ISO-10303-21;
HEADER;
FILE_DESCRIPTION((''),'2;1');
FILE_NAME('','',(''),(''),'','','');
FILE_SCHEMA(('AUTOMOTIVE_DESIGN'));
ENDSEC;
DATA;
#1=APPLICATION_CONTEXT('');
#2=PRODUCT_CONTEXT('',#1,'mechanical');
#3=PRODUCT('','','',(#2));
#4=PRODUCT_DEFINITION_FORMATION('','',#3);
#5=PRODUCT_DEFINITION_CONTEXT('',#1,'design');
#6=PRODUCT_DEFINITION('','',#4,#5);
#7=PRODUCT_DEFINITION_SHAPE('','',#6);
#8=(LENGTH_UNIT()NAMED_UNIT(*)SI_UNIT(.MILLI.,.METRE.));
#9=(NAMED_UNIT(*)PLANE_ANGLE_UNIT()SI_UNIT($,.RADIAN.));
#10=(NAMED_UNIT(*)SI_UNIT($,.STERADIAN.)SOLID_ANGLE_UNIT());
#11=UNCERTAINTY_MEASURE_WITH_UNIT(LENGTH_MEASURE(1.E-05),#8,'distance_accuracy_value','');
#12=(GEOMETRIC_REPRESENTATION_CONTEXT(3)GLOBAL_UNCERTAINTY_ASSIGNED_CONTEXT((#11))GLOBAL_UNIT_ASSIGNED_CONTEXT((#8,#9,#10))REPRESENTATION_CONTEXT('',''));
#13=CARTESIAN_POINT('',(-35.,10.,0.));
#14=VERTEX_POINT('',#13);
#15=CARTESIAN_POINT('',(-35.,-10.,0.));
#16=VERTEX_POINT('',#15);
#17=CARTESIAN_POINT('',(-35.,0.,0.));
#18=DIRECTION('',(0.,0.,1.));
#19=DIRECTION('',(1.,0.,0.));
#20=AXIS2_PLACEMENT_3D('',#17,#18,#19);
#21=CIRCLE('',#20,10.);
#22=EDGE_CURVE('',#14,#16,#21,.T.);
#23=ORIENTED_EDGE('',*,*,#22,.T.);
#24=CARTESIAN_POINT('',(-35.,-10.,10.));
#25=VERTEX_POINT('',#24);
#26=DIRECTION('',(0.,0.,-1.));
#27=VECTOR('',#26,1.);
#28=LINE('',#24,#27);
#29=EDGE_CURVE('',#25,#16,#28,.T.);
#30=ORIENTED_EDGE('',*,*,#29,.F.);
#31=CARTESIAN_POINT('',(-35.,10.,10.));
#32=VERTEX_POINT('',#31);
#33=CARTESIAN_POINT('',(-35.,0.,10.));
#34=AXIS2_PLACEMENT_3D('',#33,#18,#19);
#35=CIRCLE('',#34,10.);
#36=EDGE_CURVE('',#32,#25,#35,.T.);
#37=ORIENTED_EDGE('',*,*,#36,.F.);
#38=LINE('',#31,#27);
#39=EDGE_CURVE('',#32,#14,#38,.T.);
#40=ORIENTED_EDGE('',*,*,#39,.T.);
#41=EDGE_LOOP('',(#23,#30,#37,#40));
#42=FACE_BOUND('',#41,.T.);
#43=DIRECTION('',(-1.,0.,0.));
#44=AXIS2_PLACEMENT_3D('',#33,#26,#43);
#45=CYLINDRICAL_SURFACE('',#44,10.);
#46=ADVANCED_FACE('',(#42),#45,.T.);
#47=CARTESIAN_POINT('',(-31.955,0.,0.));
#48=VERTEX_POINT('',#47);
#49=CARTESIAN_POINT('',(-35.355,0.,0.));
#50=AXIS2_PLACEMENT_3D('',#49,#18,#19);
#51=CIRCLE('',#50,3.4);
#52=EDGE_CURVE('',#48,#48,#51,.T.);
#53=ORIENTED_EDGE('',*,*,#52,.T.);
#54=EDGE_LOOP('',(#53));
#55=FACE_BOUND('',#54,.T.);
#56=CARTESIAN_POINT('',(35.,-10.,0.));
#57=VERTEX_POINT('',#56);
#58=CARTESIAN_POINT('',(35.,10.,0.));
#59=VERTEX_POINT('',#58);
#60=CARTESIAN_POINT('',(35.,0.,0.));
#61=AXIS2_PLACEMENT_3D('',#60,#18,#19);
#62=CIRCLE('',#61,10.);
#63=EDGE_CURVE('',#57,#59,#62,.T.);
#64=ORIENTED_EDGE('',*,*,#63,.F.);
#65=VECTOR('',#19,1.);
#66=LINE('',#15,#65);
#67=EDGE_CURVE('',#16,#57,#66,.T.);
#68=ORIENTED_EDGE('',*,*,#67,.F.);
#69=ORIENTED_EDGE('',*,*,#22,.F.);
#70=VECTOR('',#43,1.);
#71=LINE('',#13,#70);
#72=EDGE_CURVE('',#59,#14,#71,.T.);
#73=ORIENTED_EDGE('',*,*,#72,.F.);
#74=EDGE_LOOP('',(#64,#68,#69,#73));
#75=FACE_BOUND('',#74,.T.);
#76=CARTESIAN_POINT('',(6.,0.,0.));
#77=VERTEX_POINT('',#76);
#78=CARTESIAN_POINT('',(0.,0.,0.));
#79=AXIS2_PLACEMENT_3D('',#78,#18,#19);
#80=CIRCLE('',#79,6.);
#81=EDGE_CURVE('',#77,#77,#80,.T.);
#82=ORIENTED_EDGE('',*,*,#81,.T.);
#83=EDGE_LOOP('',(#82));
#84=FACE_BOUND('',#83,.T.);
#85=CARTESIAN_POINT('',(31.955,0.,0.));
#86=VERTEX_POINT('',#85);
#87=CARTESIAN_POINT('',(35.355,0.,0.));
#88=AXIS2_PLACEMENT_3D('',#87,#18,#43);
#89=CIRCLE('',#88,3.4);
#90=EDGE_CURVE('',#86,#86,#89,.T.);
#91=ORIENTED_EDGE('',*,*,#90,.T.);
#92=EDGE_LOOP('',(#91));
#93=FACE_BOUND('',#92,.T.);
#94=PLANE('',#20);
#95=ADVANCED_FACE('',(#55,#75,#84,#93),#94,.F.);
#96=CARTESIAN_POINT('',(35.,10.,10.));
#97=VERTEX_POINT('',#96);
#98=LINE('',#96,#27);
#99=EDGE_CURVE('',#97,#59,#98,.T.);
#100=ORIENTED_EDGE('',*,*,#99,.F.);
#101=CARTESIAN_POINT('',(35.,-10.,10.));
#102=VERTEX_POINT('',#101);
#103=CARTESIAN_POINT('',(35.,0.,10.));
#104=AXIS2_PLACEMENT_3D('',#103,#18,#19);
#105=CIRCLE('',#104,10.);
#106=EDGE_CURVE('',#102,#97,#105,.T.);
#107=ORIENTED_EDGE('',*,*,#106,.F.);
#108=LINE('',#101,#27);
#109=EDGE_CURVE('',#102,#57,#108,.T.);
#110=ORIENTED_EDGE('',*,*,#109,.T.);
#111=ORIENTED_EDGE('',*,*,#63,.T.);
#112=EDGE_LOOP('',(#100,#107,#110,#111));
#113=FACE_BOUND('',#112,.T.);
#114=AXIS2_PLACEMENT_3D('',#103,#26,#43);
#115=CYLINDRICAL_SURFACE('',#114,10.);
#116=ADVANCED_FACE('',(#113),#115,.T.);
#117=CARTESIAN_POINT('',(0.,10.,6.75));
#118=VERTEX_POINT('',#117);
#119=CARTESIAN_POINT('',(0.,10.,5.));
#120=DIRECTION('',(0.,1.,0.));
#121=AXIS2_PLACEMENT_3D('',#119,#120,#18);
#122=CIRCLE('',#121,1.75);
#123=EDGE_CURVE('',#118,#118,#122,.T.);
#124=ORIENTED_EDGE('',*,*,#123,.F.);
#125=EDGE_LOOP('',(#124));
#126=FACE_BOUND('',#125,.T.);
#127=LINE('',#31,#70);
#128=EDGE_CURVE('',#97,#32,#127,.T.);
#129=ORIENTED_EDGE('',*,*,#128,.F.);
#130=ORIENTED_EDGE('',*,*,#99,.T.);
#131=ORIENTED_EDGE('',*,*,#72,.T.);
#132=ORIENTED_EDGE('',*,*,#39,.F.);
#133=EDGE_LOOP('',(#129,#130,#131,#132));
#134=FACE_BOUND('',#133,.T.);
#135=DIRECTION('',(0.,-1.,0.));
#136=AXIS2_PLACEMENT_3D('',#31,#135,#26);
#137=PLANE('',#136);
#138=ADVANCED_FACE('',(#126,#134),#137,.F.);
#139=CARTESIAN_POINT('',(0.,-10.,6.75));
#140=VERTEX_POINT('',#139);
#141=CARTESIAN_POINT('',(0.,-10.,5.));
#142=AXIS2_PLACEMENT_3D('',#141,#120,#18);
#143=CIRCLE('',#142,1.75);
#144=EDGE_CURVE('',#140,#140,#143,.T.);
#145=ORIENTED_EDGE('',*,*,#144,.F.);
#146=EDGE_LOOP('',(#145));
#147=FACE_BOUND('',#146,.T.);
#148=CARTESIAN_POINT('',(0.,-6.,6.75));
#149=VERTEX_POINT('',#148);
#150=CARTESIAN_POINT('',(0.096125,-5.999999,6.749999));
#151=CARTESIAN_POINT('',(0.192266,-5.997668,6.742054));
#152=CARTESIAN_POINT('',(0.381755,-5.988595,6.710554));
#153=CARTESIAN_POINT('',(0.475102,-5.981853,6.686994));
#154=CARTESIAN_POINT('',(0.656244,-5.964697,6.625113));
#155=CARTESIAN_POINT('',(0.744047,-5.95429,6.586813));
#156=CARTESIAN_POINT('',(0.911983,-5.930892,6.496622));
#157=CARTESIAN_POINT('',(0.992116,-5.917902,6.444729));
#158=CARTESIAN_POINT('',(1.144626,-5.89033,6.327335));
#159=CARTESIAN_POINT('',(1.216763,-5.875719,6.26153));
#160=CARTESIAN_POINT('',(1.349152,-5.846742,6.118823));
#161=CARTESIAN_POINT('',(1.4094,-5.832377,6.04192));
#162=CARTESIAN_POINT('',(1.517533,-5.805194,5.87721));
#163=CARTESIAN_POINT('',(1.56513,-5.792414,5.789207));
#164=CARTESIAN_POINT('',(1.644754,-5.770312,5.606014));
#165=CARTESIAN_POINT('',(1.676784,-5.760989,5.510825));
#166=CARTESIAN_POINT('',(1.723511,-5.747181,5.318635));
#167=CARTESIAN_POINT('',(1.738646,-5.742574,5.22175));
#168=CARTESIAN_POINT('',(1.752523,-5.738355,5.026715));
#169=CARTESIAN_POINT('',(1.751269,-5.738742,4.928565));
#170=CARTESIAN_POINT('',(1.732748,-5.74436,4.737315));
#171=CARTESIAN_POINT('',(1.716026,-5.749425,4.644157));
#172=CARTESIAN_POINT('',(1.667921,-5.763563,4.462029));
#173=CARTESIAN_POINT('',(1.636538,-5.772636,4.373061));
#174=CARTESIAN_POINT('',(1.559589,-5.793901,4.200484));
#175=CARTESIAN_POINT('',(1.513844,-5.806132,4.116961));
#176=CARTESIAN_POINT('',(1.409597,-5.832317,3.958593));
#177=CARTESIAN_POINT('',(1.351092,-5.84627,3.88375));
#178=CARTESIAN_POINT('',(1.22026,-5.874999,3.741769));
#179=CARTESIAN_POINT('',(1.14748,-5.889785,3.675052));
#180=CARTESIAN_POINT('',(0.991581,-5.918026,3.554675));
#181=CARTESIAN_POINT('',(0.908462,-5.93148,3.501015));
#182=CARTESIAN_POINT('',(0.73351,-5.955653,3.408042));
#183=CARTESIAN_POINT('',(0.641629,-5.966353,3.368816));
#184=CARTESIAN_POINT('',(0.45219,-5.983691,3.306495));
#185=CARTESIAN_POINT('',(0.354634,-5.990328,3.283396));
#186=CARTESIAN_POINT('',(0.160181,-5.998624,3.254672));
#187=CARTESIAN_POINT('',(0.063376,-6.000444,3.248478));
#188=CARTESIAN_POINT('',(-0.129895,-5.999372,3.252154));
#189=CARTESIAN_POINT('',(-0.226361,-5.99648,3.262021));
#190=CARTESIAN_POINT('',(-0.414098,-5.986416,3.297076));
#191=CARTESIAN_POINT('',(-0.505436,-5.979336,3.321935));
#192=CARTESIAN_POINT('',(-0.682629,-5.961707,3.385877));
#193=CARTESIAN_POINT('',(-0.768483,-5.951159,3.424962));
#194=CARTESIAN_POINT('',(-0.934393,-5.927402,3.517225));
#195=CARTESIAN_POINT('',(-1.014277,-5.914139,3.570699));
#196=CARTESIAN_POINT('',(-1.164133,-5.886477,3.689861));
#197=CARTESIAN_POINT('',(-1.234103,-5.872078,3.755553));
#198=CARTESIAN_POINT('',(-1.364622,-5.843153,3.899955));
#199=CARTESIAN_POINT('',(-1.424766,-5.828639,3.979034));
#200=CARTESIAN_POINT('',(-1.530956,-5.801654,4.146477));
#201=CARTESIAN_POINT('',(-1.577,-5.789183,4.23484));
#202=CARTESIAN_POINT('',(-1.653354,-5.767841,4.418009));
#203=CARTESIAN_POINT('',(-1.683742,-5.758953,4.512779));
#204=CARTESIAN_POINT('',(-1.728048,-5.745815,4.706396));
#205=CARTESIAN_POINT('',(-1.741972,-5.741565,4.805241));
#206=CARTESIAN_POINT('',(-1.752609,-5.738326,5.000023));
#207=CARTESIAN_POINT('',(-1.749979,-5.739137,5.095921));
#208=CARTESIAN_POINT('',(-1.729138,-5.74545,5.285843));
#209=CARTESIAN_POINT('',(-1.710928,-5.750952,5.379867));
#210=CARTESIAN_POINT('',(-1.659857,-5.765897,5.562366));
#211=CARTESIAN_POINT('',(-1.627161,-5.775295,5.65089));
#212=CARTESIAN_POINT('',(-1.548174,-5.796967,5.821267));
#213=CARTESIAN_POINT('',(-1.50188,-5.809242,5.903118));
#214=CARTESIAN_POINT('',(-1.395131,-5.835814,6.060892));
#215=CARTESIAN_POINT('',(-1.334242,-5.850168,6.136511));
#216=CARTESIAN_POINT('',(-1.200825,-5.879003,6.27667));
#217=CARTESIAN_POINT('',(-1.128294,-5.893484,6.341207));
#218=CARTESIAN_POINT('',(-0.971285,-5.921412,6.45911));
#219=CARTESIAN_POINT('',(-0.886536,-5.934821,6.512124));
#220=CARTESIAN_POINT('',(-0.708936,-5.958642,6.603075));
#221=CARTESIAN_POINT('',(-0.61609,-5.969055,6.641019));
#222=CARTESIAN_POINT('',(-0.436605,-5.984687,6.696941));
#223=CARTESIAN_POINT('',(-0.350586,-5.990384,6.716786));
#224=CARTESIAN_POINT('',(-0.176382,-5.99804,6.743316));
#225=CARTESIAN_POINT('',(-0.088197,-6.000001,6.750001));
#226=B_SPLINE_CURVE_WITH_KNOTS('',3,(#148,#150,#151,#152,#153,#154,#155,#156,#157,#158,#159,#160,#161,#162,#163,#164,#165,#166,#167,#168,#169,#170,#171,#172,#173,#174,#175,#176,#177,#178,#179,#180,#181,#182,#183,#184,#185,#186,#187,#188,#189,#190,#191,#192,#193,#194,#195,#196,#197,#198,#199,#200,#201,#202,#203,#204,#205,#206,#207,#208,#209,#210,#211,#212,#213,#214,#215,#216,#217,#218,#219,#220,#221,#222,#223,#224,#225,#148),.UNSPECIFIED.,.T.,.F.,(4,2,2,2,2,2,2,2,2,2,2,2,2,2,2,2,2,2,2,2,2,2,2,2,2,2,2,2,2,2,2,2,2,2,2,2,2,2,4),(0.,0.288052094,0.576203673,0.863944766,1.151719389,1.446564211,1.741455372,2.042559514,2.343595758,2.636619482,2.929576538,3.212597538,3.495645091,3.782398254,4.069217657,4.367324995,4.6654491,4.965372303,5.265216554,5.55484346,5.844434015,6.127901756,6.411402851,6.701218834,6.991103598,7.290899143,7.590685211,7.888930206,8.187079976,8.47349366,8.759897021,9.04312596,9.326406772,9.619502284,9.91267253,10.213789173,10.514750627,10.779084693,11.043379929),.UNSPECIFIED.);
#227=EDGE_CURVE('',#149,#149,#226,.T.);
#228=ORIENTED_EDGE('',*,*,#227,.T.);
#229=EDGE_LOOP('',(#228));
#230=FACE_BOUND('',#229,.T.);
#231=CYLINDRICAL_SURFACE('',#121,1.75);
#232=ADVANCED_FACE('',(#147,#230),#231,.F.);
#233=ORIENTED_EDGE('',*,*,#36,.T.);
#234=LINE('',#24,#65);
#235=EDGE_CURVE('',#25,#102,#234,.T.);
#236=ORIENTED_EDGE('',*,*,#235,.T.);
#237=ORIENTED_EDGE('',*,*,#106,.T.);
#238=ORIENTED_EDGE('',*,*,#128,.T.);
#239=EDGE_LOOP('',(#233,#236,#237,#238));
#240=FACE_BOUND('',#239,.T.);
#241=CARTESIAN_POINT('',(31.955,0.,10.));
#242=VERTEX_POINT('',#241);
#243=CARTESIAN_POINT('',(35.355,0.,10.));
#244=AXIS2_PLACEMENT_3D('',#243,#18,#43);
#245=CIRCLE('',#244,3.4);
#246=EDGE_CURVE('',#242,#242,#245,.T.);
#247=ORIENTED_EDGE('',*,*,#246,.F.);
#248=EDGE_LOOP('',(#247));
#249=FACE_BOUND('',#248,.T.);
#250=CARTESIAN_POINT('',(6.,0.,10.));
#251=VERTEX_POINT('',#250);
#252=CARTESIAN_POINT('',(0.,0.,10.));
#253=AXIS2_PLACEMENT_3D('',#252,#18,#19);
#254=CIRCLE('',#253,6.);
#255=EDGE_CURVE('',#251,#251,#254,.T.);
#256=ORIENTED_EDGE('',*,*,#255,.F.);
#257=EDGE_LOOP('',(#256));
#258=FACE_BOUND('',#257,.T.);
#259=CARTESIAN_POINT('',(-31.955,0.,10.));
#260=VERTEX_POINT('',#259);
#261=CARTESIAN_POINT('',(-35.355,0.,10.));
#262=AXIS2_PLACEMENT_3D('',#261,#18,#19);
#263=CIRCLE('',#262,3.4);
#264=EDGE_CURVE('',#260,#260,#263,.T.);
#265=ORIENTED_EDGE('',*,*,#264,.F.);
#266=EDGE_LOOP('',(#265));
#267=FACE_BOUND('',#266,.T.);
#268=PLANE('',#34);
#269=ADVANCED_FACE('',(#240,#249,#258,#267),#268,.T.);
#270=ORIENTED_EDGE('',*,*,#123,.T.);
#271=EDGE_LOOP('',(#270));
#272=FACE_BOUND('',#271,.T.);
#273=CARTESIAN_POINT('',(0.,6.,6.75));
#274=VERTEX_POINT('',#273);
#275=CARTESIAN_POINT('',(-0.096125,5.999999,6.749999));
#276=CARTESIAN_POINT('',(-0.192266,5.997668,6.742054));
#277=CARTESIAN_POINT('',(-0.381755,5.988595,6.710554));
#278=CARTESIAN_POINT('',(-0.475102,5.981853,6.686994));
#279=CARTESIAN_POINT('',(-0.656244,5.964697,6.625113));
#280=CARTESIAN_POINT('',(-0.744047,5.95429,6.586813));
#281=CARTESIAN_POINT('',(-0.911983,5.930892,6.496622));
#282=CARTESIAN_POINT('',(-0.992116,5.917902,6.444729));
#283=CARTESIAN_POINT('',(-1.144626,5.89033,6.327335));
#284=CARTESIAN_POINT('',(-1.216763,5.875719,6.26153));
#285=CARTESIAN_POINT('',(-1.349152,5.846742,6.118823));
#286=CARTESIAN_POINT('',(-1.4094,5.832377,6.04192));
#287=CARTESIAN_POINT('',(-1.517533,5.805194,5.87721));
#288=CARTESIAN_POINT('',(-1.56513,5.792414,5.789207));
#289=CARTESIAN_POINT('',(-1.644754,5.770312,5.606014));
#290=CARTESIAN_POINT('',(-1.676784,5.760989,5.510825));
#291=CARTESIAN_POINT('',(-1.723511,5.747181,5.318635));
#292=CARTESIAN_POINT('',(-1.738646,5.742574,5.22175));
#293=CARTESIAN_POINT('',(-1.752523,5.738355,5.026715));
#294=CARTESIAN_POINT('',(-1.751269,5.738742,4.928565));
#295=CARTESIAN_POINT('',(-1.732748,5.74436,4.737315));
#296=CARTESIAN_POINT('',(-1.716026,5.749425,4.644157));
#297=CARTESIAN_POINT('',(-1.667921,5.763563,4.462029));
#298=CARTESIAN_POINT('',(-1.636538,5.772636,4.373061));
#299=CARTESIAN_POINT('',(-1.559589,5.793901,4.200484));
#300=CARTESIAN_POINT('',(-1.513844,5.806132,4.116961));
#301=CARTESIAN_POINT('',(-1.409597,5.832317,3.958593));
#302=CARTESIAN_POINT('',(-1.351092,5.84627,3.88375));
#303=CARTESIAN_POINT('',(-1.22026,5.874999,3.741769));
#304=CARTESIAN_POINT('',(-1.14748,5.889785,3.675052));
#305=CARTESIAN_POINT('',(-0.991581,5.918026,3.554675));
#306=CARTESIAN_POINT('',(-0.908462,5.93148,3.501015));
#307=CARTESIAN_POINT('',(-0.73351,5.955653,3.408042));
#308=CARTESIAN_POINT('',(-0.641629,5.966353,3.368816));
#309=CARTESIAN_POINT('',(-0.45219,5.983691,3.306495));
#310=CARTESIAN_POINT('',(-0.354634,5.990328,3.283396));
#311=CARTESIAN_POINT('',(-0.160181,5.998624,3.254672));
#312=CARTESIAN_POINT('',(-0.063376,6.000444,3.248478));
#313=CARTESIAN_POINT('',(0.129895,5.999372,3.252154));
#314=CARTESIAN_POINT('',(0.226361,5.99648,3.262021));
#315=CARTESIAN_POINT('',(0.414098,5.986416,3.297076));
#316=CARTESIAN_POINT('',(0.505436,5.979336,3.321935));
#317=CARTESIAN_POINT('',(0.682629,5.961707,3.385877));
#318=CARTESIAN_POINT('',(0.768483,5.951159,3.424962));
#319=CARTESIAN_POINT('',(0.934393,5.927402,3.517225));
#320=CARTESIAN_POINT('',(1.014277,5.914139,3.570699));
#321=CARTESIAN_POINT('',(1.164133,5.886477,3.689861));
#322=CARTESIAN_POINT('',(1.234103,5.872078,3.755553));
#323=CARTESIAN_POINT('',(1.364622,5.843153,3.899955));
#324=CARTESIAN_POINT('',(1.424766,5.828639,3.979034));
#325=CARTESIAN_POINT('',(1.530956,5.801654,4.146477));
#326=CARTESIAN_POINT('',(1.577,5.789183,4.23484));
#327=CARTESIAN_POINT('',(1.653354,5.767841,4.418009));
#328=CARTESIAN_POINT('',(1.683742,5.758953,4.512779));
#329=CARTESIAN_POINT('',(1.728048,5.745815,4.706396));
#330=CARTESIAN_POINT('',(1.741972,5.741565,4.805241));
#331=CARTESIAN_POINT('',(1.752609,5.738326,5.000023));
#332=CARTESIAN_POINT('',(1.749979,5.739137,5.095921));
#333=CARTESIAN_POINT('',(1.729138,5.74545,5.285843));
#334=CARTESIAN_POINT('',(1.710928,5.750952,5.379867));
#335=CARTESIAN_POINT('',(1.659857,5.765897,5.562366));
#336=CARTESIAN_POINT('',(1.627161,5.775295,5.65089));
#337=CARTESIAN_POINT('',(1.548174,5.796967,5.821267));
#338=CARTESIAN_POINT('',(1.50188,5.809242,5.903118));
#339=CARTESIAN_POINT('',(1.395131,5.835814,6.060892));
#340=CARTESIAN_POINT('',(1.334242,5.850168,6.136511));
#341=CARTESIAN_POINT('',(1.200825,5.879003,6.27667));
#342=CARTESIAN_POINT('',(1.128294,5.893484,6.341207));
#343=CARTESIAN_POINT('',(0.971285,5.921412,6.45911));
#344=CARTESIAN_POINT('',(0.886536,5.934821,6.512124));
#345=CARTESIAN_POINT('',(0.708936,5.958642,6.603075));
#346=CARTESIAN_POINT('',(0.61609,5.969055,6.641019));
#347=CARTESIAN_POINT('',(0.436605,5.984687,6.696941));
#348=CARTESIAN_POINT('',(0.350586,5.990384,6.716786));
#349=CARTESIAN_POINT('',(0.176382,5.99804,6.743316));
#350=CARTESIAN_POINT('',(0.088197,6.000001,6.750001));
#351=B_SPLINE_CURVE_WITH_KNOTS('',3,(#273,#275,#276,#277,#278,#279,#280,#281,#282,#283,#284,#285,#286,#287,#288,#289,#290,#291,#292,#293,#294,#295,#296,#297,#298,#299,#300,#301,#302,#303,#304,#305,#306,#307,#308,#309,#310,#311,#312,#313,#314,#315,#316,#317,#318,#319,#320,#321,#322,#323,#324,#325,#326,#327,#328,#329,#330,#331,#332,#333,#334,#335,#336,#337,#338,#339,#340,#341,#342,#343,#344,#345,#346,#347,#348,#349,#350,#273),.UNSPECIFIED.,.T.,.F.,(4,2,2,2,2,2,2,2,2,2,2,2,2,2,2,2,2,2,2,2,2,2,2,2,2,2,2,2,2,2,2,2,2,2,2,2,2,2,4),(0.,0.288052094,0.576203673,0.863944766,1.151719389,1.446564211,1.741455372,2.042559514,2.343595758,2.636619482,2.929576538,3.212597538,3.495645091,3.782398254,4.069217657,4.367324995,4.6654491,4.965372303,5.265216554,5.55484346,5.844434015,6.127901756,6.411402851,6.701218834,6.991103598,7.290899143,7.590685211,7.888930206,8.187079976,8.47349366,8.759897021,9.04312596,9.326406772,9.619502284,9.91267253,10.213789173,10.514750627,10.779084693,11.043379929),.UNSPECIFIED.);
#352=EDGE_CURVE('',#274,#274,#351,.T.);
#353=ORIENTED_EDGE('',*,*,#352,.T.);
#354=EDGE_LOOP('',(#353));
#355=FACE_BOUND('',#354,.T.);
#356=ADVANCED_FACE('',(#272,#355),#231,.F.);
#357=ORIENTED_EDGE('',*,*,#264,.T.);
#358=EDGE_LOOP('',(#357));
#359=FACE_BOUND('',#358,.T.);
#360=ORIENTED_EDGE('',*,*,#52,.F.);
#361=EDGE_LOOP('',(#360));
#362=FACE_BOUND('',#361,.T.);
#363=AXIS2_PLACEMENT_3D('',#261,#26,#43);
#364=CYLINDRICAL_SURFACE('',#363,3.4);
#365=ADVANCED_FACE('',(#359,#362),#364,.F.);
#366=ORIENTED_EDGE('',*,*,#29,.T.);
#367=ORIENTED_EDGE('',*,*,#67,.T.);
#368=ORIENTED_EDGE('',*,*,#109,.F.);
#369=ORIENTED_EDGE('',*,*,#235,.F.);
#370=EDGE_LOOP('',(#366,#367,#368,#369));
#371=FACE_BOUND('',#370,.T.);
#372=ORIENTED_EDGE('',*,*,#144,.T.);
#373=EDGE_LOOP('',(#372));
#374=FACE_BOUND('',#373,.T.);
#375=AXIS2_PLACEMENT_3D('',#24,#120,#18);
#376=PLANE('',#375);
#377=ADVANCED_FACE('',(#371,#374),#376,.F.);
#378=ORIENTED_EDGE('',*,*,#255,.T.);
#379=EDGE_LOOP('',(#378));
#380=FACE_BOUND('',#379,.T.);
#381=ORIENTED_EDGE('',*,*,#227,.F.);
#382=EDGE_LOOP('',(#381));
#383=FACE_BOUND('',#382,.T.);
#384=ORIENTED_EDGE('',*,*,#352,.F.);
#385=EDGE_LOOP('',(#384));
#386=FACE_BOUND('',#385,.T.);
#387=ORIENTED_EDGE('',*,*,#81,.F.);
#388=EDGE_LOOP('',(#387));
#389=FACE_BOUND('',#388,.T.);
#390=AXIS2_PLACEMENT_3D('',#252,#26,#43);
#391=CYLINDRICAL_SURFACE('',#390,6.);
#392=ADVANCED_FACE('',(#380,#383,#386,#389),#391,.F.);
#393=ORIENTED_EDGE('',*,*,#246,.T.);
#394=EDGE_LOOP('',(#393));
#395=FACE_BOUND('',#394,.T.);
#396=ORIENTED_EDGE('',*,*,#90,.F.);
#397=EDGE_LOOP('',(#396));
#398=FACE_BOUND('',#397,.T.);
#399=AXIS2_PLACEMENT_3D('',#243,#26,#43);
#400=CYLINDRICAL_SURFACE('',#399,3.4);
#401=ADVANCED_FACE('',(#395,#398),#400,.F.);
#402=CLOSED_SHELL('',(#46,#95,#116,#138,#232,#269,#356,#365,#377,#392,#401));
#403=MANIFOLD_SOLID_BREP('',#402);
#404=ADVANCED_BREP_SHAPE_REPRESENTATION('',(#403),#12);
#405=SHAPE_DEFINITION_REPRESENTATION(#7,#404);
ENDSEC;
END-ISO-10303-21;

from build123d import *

# Parameters (mm, degrees)
SKETCH16_R                 = 3.4
SKETCH16_R_2               = 6
BOSS_EXTRUDE3_DEPTH        = 10
F_3_5_3_5_DIAMETER_HOLE1_D = 3.5


with BuildPart() as part:
    # Sketch16 → Boss-Extrude3 (new body)
    with BuildSketch(Plane.XY):
        with BuildLine():
            Line((-35, 10), (35, 10))
            ThreePointArc((35, 10), (45, 0), (35, -10))
            Line((35, -10), (-35, -10))
            ThreePointArc((-35, -10), (-45, 0), (-35, 10))
        make_face()
        with Locations((-35.355, 0)):
            Circle(SKETCH16_R, mode=Mode.SUBTRACT)
        Circle(SKETCH16_R_2, mode=Mode.SUBTRACT)
        with Locations(Location((35.355, 0, 0), (0, 0, 180))):
            Circle(SKETCH16_R, mode=Mode.SUBTRACT)
    extrude(amount=BOSS_EXTRUDE3_DEPTH)

    # Ø3.5 (3.5) Diameter Hole1 (through all)
    with Locations(Plane(origin=(0, 10, 0), x_dir=(1, 0, 0), z_dir=(0, 1, 0))):
        with Locations((0, -5)):
            Hole(F_3_5_3_5_DIAMETER_HOLE1_D / 2)


solid = part.part
